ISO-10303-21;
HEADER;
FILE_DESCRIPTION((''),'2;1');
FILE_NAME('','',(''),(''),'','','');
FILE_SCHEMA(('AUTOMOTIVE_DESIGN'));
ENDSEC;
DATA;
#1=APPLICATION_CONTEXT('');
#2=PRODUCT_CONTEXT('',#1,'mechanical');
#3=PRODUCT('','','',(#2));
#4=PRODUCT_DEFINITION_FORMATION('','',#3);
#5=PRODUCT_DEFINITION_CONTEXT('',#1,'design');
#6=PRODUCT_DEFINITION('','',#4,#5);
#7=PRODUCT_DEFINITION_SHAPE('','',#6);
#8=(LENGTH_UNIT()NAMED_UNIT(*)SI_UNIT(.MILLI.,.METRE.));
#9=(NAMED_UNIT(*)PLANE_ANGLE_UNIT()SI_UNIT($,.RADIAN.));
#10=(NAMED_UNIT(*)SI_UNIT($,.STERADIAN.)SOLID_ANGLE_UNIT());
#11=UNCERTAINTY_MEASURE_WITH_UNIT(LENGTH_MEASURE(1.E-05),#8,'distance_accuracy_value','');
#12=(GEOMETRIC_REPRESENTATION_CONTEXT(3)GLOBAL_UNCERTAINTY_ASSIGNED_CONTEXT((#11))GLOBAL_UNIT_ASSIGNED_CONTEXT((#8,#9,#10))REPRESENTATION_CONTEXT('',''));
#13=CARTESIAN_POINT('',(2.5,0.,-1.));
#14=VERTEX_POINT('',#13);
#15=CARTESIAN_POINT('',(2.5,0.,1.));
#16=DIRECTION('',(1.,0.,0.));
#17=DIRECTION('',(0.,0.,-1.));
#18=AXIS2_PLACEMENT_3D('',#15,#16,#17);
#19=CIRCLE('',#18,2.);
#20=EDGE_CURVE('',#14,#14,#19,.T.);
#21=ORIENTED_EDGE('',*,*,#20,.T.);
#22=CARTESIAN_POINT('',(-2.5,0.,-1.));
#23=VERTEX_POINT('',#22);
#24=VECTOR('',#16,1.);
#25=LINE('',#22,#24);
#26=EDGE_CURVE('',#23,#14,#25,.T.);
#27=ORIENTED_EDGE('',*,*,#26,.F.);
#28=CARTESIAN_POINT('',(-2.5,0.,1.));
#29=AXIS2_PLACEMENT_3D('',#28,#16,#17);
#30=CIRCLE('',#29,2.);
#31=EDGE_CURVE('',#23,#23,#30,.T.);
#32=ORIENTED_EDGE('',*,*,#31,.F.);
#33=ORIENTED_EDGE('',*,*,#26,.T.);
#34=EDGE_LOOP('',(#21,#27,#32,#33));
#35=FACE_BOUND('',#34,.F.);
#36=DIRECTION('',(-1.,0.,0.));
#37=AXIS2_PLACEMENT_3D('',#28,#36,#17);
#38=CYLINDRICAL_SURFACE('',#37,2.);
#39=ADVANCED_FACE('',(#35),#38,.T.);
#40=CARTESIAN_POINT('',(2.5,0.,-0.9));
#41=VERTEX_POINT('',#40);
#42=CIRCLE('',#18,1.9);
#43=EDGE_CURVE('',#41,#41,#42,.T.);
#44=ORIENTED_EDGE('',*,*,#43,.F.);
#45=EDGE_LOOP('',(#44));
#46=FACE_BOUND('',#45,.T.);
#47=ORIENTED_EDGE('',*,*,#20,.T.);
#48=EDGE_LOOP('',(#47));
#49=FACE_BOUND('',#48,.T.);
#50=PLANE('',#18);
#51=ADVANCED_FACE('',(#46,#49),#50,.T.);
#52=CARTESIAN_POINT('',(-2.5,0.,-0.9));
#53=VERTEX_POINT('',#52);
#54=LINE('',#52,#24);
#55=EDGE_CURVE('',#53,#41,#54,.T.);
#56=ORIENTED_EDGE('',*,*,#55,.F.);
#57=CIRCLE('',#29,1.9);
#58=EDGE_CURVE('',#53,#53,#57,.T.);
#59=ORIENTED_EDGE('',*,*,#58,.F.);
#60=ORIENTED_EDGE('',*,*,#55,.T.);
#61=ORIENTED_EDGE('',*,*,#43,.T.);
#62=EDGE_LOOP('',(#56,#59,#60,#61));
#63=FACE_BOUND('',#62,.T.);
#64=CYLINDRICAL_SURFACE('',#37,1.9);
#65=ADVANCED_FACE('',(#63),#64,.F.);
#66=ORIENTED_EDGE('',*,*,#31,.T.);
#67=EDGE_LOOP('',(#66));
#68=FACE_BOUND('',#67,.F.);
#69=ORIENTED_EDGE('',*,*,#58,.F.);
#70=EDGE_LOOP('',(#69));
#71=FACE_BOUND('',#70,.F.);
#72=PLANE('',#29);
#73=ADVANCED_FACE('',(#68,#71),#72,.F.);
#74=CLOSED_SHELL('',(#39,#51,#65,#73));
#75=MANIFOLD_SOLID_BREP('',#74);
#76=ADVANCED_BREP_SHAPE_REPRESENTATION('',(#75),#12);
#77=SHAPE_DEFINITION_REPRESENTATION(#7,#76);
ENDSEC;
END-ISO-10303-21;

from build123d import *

# Parameters (mm, degrees)
CYLINDER146_R     = 1.9
CYLINDER146_DEPTH = 5
CYLINDER145_R     = 2
CYLINDER145_DEPTH = 5


with BuildPart() as cylinder003:
    # Cylinder146 → Cylinder146 (new body)
    with BuildSketch(Plane(origin=(-2.5, 0, 1), x_dir=(0, 0, -1), z_dir=(1, 0, 0))):
        Circle(CYLINDER146_R)
    extrude(amount=CYLINDER146_DEPTH)


with BuildPart() as cut003:
    # Cylinder145 → Cylinder145 (new body)
    with BuildSketch(Plane(origin=(-2.5, 0, 1), x_dir=(0, 0, -1), z_dir=(1, 0, 0))):
        Circle(CYLINDER145_R)
    extrude(amount=CYLINDER145_DEPTH)

    # Cut003: cut Cylinder003
    add(cylinder003.part, mode=Mode.SUBTRACT)


solid = cut003.part
